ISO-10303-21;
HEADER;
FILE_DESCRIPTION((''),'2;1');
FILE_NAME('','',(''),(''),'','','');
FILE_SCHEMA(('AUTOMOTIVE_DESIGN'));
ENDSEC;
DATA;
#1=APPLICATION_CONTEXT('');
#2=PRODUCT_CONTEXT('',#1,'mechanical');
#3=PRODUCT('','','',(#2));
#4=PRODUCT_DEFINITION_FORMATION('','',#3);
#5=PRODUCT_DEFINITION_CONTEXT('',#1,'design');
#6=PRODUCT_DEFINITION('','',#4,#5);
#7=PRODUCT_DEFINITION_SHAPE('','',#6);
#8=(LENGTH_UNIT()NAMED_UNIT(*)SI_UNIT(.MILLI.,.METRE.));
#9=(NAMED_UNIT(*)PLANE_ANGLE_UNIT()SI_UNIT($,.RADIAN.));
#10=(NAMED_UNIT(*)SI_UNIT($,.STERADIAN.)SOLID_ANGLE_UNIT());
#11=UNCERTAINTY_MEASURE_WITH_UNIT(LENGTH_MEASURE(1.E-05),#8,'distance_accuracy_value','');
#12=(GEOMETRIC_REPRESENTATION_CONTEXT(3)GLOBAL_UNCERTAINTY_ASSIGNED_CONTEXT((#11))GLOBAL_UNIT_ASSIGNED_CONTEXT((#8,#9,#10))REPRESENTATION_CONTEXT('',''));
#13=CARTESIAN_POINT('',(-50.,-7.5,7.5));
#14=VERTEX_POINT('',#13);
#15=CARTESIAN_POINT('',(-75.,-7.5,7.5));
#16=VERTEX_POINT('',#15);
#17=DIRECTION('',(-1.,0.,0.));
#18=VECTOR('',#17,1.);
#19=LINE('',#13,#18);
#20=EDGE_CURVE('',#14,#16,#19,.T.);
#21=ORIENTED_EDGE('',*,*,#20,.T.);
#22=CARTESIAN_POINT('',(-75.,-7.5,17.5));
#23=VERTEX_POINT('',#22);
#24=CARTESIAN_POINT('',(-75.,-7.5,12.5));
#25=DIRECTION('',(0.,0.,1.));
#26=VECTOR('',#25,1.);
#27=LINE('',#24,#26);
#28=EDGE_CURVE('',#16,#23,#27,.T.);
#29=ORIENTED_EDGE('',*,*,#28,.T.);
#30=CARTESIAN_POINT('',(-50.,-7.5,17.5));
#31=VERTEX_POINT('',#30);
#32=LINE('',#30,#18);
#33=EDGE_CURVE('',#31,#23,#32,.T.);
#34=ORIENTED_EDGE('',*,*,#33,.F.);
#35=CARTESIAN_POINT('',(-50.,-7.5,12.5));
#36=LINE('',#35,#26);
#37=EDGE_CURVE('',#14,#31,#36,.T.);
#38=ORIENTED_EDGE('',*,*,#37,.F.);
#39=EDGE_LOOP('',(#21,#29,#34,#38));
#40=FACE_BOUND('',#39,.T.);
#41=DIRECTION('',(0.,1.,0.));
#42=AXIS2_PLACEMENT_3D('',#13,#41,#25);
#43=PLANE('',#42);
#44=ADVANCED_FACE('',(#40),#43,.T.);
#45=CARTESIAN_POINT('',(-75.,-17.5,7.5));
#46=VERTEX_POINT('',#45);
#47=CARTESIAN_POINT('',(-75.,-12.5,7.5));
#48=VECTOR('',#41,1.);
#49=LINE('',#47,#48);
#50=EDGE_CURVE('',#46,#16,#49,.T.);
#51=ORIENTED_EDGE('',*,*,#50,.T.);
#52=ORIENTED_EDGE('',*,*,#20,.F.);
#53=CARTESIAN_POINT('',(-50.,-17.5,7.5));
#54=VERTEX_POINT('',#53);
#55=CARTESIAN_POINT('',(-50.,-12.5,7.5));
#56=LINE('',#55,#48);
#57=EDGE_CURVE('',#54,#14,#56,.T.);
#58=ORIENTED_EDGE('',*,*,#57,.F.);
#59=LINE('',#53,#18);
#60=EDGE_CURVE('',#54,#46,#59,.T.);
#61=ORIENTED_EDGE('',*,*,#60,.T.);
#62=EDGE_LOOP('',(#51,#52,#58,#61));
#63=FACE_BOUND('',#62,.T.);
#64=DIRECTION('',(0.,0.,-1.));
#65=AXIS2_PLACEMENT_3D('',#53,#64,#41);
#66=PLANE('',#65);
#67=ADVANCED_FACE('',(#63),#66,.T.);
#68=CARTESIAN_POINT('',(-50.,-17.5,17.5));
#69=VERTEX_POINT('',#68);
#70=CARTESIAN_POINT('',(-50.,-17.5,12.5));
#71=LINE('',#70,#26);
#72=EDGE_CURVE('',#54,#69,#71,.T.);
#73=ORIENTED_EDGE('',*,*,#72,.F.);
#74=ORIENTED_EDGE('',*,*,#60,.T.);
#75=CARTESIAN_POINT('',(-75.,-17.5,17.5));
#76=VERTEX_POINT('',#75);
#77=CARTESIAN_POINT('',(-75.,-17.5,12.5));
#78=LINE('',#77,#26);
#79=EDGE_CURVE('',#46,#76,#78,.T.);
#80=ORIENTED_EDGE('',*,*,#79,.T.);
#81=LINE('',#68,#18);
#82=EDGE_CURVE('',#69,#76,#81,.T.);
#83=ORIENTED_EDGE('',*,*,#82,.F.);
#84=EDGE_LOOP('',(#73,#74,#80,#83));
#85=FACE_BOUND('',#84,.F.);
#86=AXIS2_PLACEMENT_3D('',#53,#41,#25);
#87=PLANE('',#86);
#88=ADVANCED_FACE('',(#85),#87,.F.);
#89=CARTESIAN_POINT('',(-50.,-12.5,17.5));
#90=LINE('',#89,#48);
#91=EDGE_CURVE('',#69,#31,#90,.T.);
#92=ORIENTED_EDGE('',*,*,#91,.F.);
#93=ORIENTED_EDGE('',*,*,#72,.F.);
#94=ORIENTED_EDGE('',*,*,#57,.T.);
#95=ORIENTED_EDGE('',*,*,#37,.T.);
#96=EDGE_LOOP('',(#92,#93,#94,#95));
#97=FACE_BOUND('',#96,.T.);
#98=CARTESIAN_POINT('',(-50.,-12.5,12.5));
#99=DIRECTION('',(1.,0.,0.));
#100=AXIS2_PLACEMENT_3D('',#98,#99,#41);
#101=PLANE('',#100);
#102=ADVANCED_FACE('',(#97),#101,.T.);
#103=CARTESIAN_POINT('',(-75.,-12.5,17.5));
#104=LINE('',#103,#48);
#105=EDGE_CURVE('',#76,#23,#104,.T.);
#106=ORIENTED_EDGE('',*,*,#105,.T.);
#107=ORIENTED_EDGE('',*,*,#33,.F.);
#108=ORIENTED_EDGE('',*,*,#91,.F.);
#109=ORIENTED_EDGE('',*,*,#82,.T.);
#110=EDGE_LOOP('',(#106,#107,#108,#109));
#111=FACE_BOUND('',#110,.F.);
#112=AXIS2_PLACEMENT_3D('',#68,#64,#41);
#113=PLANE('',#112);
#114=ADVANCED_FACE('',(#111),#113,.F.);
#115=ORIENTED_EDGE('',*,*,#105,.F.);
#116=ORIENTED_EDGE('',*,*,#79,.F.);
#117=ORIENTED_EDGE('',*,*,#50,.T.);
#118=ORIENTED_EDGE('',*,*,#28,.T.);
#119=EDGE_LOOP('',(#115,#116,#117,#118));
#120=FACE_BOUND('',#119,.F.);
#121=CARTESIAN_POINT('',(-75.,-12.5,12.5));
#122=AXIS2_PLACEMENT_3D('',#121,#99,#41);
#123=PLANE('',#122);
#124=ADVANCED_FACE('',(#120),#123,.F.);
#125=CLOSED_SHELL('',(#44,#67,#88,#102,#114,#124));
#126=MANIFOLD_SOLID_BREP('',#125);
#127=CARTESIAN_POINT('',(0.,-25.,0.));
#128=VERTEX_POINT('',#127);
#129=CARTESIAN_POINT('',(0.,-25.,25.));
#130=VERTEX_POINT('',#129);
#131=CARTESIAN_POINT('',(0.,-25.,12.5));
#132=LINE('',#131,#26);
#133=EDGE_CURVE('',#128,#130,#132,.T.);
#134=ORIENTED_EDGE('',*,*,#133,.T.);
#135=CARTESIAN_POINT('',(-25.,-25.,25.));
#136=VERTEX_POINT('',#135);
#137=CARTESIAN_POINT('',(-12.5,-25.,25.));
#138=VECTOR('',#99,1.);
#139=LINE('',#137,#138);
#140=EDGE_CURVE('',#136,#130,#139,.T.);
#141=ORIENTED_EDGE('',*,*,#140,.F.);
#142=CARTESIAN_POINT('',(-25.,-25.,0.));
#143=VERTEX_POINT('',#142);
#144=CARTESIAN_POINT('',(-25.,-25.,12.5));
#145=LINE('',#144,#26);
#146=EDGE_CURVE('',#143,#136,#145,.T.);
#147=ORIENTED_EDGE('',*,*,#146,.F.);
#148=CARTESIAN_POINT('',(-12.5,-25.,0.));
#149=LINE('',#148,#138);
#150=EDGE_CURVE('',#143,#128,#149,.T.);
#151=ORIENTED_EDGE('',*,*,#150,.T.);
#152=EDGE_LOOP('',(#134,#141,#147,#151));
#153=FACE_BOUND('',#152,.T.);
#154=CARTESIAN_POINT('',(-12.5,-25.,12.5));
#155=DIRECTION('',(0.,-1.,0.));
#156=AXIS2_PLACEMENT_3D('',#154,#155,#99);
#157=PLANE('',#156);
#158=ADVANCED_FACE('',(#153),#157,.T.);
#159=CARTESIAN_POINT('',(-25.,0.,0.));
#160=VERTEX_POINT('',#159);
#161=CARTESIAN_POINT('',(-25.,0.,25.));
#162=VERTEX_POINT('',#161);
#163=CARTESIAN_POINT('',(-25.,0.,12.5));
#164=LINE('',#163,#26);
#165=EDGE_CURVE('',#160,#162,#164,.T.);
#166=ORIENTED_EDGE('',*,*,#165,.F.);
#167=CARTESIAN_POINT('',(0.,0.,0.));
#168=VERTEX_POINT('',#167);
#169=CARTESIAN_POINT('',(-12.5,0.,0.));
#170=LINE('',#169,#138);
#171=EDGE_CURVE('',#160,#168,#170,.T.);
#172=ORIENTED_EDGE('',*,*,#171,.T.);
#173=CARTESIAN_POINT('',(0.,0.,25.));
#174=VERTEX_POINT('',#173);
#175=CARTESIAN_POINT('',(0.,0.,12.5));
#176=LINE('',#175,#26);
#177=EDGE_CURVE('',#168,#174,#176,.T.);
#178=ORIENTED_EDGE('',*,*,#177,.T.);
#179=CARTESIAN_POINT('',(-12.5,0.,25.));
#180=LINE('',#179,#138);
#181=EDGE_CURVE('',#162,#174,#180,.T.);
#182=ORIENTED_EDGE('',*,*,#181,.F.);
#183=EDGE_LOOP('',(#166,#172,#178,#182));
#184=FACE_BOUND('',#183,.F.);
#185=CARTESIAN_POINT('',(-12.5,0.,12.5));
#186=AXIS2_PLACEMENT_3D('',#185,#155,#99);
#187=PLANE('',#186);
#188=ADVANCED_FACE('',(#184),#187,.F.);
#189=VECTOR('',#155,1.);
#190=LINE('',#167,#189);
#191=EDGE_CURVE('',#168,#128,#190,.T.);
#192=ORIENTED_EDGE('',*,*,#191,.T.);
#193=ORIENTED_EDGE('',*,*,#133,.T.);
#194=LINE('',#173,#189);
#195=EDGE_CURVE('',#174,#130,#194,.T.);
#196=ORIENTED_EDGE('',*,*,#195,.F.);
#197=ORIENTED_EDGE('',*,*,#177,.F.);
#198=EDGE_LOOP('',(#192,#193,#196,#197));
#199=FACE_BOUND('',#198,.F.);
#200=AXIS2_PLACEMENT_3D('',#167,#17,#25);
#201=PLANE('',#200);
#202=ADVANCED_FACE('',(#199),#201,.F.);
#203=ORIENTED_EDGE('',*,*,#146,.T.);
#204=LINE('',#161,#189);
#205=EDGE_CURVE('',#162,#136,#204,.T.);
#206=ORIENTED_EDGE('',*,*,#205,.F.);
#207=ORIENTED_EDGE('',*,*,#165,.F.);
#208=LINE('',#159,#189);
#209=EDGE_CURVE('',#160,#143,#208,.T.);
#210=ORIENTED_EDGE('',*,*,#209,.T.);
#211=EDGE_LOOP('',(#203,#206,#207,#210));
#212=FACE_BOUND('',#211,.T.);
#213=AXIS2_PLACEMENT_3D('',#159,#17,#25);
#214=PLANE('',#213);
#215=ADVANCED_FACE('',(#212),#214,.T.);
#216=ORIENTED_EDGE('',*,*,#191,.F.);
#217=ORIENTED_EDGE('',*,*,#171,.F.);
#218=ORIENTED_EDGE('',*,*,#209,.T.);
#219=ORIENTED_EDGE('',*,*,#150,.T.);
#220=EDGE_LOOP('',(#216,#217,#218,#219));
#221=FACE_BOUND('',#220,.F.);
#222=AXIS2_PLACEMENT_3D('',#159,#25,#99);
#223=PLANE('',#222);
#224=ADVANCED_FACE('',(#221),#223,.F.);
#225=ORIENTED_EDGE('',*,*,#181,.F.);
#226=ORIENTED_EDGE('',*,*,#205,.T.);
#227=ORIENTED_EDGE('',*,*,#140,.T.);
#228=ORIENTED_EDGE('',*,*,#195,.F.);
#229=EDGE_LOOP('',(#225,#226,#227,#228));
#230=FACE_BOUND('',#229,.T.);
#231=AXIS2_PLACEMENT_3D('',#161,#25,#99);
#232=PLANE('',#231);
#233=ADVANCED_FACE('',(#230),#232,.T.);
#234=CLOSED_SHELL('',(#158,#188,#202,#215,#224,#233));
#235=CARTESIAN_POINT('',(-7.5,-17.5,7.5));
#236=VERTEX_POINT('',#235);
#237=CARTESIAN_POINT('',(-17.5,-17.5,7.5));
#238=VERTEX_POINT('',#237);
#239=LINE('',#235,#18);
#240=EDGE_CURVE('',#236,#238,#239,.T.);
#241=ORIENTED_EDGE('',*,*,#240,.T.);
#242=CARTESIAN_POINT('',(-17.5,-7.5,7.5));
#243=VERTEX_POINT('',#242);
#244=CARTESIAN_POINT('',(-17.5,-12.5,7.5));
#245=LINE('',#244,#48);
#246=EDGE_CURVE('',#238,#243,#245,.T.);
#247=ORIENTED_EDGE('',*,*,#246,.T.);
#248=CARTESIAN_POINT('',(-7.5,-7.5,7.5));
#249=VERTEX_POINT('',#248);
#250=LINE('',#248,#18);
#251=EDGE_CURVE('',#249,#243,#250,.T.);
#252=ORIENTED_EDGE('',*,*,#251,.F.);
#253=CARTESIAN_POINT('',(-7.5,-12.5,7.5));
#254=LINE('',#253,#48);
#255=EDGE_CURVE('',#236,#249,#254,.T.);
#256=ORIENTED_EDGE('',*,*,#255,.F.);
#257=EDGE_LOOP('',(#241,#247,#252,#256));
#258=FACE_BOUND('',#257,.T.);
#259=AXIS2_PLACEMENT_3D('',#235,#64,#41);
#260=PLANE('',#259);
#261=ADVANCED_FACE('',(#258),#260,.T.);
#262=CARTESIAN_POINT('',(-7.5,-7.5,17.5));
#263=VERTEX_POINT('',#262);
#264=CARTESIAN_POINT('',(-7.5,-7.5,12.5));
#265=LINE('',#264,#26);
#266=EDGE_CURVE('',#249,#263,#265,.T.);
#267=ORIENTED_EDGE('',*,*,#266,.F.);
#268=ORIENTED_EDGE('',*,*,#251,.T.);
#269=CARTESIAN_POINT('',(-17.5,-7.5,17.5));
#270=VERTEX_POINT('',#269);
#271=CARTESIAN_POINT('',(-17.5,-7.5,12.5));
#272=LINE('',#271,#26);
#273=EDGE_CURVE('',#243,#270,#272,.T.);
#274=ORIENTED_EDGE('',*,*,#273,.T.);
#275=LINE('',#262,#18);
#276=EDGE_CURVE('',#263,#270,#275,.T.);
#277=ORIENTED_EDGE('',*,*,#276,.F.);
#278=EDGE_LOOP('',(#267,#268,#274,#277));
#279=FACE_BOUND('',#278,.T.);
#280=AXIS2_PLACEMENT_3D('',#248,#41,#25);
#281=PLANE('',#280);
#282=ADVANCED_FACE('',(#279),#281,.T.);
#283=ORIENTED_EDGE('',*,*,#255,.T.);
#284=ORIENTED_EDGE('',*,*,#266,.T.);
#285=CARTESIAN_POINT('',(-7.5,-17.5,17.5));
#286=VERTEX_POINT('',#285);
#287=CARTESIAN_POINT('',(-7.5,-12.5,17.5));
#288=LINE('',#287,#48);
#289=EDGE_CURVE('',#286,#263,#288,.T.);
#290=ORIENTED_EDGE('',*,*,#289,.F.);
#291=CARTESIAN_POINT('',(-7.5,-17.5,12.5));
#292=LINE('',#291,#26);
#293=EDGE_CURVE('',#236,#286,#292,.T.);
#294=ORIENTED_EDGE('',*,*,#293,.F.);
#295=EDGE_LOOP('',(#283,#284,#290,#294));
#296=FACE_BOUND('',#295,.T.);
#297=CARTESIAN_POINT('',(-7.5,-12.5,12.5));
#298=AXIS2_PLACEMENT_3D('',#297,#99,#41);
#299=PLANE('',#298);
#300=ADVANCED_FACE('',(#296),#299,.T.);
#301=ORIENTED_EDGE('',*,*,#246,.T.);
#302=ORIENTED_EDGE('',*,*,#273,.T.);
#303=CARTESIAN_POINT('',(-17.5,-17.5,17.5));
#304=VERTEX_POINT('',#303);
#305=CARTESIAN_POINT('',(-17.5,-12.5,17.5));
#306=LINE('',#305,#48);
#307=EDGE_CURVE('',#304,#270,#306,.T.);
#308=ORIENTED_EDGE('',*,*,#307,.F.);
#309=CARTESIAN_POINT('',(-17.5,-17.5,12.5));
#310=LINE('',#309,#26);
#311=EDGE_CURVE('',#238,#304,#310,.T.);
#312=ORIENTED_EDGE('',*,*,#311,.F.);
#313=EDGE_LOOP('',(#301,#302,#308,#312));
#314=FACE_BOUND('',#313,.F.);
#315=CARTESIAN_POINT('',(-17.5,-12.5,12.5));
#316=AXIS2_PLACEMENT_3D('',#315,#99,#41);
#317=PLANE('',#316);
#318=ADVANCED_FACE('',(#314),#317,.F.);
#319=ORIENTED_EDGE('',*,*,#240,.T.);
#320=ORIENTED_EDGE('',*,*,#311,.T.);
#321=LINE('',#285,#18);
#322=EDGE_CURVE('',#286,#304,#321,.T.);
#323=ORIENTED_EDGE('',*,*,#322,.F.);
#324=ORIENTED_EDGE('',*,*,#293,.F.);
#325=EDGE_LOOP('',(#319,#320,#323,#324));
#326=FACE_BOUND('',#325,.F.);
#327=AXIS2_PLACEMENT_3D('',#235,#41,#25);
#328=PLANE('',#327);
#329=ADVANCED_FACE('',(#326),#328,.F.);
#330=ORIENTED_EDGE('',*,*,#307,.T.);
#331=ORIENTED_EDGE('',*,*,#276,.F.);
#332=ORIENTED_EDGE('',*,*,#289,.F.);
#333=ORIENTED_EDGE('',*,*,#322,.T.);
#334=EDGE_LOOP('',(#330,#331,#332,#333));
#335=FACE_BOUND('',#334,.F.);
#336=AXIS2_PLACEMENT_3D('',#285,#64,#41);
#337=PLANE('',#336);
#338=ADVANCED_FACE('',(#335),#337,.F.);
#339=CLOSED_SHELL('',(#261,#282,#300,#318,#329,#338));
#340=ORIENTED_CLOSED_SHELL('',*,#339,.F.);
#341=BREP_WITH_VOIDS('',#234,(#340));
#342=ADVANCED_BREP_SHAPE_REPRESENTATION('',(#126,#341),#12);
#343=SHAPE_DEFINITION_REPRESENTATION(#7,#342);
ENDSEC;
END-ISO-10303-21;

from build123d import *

# Parameters (mm, degrees)
F0_W     = 25
F0_H     = 25
F1_DEPTH = 25
F4_START = -32.5
F3_W     = 10
F3_H     = 10
F4_DEPTH = 10
F5_START = -75
F5_DEPTH = 25


with BuildPart() as f1:
    # F0 (on Front) → F1 (new body)
    with BuildSketch(Plane.XZ):
        with Locations((-12.5, 12.5)):
            Rectangle(F0_W, F0_H)
    extrude(amount=F1_DEPTH)

    # F3 (on offset) → F4 (cut)
    with BuildSketch(Plane.YZ.offset(25).offset(F4_START)):
        with Locations((-12.5, 12.5)):
            Rectangle(F3_W, F3_H)
    extrude(amount=-F4_DEPTH, mode=Mode.SUBTRACT)


with BuildPart() as f5:
    # F3 (on offset) → F5 (new body)
    with BuildSketch(Plane.YZ.offset(25).offset(F5_START)):
        with Locations((-12.5, 12.5)):
            Rectangle(F3_W, F3_H)
    extrude(amount=-F5_DEPTH)


solid = Compound([f1.part, f5.part])
